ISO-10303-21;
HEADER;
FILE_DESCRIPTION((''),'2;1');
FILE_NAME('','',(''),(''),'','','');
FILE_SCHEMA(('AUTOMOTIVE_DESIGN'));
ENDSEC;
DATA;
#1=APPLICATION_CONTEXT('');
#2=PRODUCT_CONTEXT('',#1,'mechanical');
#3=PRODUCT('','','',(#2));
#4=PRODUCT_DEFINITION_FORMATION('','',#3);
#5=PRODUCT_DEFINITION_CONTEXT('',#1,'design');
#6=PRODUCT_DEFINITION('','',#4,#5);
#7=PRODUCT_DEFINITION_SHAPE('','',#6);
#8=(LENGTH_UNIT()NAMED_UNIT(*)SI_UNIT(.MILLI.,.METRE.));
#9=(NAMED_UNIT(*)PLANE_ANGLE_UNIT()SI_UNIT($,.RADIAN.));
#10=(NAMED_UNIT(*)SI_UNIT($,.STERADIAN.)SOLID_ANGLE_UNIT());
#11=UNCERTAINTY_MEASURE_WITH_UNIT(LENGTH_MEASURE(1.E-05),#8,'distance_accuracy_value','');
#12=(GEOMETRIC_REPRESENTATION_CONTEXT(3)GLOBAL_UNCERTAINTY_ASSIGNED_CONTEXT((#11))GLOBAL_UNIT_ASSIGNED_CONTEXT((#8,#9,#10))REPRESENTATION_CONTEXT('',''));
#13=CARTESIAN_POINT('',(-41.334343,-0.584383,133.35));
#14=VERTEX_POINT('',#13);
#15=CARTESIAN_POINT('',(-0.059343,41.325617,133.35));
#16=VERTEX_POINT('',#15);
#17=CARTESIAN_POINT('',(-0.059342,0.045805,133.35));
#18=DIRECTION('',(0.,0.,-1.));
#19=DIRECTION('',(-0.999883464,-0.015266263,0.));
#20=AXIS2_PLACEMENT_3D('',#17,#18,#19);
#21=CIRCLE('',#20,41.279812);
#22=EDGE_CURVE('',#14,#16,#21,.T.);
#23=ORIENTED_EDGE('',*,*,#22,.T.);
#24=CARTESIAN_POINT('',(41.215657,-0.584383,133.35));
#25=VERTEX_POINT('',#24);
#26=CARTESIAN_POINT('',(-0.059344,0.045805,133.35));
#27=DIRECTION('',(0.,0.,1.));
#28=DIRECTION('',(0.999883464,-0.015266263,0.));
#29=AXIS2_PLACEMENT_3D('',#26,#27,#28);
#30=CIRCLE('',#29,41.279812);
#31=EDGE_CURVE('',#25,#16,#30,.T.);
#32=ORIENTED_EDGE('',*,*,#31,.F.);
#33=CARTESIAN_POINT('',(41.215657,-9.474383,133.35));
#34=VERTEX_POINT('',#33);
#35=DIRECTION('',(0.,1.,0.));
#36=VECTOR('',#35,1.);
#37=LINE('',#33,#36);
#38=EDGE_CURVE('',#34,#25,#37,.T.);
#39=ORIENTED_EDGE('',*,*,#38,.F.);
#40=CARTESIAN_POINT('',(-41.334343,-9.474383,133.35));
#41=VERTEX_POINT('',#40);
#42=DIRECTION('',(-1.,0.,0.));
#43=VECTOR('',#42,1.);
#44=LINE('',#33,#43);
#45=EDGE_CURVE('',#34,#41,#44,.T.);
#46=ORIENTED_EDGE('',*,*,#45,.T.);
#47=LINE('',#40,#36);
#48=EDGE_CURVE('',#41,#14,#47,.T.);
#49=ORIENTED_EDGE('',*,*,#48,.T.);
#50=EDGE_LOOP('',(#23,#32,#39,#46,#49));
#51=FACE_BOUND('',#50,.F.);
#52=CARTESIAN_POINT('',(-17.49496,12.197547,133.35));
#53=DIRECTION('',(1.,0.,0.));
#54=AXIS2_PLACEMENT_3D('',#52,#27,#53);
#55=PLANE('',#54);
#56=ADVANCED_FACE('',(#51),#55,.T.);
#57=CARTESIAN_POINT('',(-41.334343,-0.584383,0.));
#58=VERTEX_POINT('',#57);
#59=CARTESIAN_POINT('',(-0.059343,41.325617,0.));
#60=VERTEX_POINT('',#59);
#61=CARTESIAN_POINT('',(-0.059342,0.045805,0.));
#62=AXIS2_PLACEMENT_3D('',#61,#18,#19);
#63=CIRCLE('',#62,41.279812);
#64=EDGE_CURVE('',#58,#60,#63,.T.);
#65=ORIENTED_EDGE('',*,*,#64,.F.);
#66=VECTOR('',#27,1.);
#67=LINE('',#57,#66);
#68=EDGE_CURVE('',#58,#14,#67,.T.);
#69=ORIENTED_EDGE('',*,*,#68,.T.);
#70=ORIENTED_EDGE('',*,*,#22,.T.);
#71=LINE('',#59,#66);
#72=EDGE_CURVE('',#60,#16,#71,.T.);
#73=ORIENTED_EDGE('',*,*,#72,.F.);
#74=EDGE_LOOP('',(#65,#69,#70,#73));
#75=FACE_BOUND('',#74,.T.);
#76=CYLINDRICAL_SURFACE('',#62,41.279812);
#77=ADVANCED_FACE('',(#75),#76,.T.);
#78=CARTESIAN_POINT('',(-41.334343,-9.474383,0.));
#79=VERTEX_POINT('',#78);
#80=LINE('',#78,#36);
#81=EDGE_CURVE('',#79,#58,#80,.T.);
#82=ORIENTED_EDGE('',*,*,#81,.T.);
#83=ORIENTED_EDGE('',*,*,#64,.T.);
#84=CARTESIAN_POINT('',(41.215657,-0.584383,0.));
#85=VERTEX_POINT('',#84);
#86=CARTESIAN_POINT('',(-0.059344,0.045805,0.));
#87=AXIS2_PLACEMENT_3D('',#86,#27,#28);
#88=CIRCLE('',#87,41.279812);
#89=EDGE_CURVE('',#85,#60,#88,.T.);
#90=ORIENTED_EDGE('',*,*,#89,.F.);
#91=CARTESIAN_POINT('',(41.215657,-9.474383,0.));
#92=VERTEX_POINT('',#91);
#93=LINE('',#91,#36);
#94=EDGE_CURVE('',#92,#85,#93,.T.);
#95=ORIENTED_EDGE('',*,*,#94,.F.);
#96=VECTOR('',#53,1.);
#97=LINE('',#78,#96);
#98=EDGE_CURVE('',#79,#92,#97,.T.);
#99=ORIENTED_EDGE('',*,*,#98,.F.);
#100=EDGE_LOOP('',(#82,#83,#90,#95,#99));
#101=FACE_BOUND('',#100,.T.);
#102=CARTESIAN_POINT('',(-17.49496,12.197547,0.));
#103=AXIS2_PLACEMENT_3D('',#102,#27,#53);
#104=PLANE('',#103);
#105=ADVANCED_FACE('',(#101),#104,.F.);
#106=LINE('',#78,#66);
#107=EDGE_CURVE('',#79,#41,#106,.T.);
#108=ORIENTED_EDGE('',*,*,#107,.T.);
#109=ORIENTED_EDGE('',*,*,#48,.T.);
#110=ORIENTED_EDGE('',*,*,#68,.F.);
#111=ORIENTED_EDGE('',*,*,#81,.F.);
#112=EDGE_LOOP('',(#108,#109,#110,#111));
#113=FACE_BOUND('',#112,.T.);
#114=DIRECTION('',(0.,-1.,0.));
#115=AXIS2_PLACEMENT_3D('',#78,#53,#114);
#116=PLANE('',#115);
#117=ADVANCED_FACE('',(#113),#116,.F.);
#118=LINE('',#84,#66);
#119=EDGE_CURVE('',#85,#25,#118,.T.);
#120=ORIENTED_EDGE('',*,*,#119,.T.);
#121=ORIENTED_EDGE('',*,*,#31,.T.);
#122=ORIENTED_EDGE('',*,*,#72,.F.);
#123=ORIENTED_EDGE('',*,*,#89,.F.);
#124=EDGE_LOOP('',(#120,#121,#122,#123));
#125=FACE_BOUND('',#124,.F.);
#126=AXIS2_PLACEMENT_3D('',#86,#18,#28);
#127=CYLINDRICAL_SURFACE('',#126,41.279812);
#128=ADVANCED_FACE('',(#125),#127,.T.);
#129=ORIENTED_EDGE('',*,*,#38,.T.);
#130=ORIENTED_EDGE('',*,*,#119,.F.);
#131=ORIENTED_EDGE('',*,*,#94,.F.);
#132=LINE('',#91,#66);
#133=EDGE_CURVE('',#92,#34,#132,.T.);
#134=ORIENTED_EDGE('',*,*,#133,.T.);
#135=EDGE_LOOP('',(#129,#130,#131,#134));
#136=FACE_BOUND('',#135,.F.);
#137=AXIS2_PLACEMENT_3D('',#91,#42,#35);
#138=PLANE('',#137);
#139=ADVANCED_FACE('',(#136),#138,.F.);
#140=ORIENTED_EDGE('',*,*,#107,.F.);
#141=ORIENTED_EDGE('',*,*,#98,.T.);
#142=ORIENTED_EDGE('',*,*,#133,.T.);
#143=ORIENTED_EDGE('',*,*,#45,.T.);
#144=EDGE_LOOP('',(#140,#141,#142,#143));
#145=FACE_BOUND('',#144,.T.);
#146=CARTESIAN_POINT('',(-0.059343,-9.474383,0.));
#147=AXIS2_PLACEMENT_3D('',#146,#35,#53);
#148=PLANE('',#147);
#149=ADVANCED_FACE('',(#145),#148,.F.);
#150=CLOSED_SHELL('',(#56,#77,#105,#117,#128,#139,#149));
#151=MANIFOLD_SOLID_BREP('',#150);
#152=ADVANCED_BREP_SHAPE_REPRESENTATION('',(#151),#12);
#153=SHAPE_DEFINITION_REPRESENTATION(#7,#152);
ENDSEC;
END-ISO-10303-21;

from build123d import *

# Parameters (mm, degrees)
F1_DEPTH = 133.35


with BuildPart() as f1:
    # F0 (on Top) → F1 (new body)
    with BuildSketch(Plane.XY):
        with BuildLine():
            Line((-0.059343, 41.325617), (-0.059343, -9.474383))
            Line((-0.059343, -9.474383), (41.215657, -9.474383))
            Line((41.215657, -9.474383), (41.215657, -0.584383))
            ThreePointArc((41.215657, -0.584383), (29.351853, 29.011377), (-0.059343, 41.325617))
        make_face()
    extrude(amount=F1_DEPTH)

    # F2: F1 across face


with BuildPart() as f1_1:
    add(f1.part)
    add(f1.part.mirror(Plane(origin=(-0.059343, 15.925617, 66.675), x_dir=(0, -1, 0), z_dir=(-1, 0, 0))))


solid = f1_1.part
